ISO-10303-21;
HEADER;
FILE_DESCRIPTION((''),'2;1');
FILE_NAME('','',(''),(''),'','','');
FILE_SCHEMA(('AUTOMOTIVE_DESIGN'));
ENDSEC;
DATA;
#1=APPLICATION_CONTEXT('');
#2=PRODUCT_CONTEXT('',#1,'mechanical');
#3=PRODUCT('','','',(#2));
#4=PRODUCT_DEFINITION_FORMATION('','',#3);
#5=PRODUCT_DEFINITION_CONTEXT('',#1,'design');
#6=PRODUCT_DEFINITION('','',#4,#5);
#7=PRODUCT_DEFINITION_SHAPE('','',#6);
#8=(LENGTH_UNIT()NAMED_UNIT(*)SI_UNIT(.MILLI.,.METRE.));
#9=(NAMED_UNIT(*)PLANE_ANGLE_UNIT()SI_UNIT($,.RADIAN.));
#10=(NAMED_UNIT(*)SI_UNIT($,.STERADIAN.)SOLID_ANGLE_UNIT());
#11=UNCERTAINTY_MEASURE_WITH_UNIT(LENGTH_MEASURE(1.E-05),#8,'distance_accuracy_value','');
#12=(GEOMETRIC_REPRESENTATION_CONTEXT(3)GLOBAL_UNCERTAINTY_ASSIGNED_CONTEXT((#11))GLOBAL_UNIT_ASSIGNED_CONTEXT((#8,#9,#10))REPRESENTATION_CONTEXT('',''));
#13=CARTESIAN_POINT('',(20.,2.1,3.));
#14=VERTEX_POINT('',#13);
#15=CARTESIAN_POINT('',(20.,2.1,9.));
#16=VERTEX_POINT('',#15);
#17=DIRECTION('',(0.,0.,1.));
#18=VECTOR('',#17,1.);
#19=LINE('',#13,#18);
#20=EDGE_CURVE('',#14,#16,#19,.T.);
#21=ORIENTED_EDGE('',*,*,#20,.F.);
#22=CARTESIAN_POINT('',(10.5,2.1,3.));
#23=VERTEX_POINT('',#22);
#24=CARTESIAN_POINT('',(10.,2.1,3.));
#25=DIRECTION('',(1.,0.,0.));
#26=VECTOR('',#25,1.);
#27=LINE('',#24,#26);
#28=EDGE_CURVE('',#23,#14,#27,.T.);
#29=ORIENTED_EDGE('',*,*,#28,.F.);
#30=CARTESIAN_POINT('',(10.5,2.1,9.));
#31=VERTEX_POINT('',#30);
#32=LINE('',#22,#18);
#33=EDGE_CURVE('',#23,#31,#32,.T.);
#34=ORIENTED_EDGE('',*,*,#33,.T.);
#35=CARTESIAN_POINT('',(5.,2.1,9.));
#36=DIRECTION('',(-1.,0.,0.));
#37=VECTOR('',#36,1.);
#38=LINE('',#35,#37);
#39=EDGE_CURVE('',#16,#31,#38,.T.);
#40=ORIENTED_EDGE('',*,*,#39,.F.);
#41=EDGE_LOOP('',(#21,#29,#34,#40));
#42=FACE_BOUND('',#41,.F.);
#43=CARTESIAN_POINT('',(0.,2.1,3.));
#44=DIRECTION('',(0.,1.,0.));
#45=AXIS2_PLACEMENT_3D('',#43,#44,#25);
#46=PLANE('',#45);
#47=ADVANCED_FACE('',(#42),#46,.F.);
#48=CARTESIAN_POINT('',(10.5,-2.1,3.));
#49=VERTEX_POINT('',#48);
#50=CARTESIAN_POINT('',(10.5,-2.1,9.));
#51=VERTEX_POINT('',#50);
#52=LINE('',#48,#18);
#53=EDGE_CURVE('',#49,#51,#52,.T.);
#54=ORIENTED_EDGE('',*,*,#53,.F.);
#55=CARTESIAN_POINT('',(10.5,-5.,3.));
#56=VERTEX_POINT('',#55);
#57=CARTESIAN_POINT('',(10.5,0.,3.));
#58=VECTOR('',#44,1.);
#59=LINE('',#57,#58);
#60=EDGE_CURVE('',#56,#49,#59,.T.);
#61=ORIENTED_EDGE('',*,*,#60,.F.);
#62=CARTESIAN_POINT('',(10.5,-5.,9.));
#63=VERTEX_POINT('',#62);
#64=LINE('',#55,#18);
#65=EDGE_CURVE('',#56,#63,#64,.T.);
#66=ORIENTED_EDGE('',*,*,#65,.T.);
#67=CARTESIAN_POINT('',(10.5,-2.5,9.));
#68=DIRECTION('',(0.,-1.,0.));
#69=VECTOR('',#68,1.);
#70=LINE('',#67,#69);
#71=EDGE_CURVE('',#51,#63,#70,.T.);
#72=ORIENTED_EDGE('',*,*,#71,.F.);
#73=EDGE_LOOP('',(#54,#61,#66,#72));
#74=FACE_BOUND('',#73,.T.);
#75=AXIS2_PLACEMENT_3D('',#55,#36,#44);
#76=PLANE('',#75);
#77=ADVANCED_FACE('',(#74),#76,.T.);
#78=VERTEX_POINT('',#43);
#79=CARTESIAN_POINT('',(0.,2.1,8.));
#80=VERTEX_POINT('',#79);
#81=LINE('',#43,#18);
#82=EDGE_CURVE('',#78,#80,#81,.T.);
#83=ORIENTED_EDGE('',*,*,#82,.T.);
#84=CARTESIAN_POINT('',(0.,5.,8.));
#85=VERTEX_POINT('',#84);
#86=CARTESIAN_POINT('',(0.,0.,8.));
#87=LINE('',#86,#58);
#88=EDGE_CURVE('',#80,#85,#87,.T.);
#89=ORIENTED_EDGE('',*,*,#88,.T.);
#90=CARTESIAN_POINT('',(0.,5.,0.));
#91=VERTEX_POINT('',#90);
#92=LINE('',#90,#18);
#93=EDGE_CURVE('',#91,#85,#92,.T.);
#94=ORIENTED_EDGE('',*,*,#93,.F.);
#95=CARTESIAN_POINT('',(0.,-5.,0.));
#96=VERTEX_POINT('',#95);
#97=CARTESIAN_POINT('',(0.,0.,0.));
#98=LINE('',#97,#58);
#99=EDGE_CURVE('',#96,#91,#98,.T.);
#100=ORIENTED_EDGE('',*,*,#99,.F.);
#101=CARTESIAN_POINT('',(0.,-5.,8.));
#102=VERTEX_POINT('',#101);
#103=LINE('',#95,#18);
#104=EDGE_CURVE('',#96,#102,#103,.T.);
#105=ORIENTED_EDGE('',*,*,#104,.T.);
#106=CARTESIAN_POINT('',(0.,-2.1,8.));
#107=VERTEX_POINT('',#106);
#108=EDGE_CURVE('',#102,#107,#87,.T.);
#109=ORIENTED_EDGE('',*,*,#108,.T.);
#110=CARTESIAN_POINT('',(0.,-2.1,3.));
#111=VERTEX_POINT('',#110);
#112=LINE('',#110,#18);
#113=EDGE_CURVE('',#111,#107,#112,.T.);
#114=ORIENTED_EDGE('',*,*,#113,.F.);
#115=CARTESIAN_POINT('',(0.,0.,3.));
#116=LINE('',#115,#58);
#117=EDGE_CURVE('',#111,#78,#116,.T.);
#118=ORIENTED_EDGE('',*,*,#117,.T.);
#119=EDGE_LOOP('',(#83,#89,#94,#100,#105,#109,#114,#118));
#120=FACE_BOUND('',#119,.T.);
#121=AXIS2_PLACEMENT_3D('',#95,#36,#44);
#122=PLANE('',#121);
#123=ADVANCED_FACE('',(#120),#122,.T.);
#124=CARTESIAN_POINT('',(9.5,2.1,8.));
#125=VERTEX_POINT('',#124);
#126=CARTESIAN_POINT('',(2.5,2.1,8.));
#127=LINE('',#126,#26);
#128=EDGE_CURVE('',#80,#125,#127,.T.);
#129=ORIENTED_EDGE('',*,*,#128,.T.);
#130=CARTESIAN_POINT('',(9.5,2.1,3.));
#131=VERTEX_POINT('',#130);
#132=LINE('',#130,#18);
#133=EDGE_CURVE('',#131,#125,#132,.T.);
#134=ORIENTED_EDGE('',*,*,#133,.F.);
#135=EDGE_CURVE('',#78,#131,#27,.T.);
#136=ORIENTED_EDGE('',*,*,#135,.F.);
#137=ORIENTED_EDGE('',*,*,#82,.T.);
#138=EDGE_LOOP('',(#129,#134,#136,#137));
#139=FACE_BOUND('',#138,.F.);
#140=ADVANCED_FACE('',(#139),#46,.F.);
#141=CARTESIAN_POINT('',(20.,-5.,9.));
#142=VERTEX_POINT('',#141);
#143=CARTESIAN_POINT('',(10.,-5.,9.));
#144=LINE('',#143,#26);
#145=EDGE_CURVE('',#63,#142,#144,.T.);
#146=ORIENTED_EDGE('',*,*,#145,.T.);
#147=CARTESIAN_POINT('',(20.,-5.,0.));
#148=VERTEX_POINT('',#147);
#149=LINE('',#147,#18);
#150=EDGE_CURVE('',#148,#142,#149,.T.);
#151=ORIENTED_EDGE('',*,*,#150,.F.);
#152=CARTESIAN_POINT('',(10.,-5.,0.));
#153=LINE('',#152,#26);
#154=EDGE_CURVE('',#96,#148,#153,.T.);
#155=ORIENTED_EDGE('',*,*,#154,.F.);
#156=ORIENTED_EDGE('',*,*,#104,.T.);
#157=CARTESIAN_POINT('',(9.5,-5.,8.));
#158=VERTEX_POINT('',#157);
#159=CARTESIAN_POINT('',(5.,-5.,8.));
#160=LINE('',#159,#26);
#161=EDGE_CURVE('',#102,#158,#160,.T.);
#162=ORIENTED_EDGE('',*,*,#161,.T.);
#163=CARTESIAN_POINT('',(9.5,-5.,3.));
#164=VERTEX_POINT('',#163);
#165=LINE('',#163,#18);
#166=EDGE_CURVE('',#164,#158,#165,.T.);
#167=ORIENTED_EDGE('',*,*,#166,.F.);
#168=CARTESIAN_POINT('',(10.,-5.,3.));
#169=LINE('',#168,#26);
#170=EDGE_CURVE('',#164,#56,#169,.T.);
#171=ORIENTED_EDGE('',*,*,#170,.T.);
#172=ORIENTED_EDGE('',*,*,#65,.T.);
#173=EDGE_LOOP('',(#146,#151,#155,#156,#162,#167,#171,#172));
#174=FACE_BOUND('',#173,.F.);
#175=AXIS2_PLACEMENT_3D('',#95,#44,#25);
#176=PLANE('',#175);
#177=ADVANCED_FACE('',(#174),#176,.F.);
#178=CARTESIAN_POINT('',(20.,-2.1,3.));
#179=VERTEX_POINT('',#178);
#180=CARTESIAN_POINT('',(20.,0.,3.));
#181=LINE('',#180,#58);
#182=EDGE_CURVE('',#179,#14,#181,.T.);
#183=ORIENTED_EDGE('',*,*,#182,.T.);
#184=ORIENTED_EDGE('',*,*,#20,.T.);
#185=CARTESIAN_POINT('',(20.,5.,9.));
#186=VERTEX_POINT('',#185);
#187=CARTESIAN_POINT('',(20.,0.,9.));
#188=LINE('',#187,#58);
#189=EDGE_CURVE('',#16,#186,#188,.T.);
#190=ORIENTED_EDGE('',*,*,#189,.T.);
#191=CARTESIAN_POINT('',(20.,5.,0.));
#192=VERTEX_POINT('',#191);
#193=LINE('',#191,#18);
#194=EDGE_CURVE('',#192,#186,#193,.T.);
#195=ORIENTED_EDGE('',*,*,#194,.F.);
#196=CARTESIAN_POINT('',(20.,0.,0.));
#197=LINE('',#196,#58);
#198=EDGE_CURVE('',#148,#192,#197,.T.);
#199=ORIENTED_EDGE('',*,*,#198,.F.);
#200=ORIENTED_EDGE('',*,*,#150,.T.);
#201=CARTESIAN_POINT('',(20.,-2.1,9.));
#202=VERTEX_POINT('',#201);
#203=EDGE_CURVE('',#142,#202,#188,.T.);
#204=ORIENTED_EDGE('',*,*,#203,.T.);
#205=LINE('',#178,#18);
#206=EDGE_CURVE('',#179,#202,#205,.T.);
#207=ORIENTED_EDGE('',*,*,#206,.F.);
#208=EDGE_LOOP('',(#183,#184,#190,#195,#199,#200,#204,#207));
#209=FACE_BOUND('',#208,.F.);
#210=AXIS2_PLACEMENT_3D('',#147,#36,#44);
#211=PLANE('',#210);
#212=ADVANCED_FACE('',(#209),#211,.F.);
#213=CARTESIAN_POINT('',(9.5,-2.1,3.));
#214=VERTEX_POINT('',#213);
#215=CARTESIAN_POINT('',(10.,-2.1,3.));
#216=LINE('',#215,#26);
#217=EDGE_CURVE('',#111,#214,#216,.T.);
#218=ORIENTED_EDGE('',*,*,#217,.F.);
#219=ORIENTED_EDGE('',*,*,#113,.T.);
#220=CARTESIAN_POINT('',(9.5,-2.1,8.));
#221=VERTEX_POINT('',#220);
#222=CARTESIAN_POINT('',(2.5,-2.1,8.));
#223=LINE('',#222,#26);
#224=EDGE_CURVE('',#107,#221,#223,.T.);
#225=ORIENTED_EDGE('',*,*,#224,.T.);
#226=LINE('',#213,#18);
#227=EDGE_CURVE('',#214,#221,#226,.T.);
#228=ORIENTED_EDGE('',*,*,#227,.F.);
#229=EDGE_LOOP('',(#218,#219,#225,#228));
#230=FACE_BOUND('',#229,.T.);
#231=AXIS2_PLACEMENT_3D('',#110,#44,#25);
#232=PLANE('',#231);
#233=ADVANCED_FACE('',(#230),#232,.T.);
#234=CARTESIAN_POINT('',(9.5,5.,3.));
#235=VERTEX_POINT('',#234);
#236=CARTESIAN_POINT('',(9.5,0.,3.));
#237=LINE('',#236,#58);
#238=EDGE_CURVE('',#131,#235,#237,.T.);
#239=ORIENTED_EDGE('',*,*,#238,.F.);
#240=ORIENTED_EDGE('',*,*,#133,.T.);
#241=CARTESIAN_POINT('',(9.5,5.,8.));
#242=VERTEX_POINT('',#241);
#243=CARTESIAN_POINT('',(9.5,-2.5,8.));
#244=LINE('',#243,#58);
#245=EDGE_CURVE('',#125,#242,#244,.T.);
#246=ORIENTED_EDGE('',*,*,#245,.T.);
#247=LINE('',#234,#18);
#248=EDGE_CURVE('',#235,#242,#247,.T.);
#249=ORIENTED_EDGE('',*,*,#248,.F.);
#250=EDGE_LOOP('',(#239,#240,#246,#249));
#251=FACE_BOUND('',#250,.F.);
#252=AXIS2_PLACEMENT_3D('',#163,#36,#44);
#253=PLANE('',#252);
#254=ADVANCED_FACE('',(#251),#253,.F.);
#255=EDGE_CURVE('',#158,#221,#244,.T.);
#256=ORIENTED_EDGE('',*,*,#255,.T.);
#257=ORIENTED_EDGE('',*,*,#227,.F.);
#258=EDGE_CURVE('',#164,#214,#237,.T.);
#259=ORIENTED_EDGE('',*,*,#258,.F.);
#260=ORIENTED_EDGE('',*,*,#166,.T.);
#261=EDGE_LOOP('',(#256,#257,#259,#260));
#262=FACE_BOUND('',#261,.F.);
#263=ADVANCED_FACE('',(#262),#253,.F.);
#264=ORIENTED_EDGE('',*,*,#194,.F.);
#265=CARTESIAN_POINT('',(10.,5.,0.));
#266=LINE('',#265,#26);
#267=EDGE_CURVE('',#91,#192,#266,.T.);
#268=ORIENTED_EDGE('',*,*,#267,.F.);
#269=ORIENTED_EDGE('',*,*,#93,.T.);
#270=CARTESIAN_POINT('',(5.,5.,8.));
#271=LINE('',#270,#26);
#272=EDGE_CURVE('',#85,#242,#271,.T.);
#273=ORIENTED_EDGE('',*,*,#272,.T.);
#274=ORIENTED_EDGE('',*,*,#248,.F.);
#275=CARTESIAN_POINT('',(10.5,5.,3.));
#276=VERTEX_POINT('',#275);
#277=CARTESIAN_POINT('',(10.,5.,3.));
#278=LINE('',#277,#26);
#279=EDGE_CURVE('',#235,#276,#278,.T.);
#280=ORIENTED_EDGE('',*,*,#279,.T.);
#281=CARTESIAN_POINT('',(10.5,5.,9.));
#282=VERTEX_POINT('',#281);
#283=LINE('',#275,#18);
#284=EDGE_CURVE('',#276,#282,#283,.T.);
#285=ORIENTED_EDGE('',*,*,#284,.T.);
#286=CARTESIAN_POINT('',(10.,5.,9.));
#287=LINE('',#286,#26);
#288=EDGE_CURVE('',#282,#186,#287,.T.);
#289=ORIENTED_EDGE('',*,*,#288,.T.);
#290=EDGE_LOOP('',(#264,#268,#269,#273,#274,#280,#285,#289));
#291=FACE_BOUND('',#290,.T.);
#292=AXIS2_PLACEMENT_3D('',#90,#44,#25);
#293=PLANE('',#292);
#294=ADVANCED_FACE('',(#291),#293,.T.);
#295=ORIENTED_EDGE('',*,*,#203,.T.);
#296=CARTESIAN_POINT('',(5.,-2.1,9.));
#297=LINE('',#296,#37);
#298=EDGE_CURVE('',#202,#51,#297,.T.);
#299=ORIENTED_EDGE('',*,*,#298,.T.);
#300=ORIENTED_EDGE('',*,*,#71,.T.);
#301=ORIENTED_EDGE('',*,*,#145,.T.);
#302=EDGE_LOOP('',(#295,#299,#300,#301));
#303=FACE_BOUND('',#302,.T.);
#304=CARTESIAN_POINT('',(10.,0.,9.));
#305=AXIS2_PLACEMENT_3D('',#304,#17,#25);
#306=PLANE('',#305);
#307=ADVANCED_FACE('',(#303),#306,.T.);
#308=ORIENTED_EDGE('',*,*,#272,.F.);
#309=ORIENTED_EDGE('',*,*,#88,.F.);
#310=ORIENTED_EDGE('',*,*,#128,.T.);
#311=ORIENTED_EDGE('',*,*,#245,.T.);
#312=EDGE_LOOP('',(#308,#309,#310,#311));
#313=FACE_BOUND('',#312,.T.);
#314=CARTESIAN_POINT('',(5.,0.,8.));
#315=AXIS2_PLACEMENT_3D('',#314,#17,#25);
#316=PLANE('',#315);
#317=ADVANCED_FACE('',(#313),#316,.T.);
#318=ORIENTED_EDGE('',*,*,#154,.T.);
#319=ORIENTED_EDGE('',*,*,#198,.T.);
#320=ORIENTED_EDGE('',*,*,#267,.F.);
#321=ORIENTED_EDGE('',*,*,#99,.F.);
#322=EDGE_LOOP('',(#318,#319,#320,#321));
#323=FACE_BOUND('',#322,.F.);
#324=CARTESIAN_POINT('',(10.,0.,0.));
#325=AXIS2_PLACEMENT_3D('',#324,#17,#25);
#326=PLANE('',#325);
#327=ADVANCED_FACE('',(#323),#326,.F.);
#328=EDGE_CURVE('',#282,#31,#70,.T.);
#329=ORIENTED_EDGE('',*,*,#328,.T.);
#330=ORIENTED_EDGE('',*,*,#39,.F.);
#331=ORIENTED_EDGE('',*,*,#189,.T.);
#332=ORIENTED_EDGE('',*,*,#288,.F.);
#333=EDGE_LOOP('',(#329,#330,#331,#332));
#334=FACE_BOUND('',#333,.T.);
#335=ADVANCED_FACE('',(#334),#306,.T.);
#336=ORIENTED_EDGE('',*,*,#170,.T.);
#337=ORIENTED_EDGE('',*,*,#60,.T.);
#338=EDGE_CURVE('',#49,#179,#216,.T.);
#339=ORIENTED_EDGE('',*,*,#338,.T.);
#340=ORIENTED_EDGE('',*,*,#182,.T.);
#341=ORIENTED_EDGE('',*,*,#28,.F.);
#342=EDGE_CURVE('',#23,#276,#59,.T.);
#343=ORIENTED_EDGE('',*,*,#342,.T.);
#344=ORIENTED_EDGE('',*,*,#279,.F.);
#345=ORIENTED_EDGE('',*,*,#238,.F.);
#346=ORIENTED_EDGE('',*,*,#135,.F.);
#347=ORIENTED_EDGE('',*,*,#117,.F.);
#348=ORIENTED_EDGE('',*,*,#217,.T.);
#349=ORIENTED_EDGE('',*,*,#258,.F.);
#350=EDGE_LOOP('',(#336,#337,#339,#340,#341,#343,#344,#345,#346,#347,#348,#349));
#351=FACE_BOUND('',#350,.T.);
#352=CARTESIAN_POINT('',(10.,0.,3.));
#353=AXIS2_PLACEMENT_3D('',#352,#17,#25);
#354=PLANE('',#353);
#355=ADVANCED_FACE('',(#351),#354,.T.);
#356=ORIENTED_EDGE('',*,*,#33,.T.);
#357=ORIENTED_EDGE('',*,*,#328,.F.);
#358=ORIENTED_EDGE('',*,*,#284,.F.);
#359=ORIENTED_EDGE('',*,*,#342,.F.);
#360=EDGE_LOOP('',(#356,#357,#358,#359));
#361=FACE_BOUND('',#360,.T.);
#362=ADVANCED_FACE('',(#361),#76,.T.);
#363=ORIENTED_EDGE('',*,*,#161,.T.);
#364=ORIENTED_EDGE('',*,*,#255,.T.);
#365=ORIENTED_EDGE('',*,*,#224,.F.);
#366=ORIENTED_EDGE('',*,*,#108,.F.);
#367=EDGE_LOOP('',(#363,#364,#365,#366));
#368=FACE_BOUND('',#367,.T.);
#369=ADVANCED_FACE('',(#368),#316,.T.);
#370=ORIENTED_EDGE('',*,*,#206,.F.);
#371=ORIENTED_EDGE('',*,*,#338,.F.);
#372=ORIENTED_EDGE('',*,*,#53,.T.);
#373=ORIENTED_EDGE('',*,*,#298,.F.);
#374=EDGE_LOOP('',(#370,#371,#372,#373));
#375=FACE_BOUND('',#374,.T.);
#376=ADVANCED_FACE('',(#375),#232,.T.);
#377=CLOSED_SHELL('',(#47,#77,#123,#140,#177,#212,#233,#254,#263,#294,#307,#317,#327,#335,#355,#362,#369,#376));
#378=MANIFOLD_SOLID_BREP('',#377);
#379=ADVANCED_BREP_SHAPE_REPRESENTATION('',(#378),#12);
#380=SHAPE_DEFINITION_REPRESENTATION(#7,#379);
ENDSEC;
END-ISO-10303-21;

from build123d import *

# Parameters (mm, degrees)
BOX023_W     = 10
BOX023_H     = 10
BOX023_DEPTH = 10
BOX022_W     = 1
BOX022_H     = 10
BOX022_DEPTH = 10
BOX_W        = 20
BOX_H        = 4.2
BOX_DEPTH    = 10
BOX021_W     = 20
BOX021_H     = 10
BOX021_DEPTH = 9


with BuildPart() as cube023:
    # Box023 → Box023 (new body)
    with BuildSketch(Plane(origin=(0, -5, 8), x_dir=(1, 0, 0), z_dir=(0, 0, 1))):
        with Locations((5, 5)):
            Rectangle(BOX023_W, BOX023_H)
    extrude(amount=BOX023_DEPTH)


with BuildPart() as cube022:
    # Box022 → Box022 (new body)
    with BuildSketch(Plane(origin=(9.5, -5, 3), x_dir=(1, 0, 0), z_dir=(0, 0, 1))):
        with Locations((0.5, 5)):
            Rectangle(BOX022_W, BOX022_H)
    extrude(amount=BOX022_DEPTH)


with BuildPart() as cube:
    # Box → Box (new body)
    with BuildSketch(Plane(origin=(0, -2.1, 3), x_dir=(1, 0, 0), z_dir=(0, 0, 1))):
        with Locations((10, 2.1)):
            Rectangle(BOX_W, BOX_H)
    extrude(amount=BOX_DEPTH)


with BuildPart() as cut048:
    # Box021 → Box021 (new body)
    with BuildSketch(Plane(origin=(0, -5, 0), x_dir=(1, 0, 0), z_dir=(0, 0, 1))):
        with Locations((10, 5)):
            Rectangle(BOX021_W, BOX021_H)
    extrude(amount=BOX021_DEPTH)

    # Cut046: cut Cube
    add(cube.part, mode=Mode.SUBTRACT)

    # Cut047: cut Cube022
    add(cube022.part, mode=Mode.SUBTRACT)

    # Cut048: cut Cube023
    add(cube023.part, mode=Mode.SUBTRACT)


solid = cut048.part
